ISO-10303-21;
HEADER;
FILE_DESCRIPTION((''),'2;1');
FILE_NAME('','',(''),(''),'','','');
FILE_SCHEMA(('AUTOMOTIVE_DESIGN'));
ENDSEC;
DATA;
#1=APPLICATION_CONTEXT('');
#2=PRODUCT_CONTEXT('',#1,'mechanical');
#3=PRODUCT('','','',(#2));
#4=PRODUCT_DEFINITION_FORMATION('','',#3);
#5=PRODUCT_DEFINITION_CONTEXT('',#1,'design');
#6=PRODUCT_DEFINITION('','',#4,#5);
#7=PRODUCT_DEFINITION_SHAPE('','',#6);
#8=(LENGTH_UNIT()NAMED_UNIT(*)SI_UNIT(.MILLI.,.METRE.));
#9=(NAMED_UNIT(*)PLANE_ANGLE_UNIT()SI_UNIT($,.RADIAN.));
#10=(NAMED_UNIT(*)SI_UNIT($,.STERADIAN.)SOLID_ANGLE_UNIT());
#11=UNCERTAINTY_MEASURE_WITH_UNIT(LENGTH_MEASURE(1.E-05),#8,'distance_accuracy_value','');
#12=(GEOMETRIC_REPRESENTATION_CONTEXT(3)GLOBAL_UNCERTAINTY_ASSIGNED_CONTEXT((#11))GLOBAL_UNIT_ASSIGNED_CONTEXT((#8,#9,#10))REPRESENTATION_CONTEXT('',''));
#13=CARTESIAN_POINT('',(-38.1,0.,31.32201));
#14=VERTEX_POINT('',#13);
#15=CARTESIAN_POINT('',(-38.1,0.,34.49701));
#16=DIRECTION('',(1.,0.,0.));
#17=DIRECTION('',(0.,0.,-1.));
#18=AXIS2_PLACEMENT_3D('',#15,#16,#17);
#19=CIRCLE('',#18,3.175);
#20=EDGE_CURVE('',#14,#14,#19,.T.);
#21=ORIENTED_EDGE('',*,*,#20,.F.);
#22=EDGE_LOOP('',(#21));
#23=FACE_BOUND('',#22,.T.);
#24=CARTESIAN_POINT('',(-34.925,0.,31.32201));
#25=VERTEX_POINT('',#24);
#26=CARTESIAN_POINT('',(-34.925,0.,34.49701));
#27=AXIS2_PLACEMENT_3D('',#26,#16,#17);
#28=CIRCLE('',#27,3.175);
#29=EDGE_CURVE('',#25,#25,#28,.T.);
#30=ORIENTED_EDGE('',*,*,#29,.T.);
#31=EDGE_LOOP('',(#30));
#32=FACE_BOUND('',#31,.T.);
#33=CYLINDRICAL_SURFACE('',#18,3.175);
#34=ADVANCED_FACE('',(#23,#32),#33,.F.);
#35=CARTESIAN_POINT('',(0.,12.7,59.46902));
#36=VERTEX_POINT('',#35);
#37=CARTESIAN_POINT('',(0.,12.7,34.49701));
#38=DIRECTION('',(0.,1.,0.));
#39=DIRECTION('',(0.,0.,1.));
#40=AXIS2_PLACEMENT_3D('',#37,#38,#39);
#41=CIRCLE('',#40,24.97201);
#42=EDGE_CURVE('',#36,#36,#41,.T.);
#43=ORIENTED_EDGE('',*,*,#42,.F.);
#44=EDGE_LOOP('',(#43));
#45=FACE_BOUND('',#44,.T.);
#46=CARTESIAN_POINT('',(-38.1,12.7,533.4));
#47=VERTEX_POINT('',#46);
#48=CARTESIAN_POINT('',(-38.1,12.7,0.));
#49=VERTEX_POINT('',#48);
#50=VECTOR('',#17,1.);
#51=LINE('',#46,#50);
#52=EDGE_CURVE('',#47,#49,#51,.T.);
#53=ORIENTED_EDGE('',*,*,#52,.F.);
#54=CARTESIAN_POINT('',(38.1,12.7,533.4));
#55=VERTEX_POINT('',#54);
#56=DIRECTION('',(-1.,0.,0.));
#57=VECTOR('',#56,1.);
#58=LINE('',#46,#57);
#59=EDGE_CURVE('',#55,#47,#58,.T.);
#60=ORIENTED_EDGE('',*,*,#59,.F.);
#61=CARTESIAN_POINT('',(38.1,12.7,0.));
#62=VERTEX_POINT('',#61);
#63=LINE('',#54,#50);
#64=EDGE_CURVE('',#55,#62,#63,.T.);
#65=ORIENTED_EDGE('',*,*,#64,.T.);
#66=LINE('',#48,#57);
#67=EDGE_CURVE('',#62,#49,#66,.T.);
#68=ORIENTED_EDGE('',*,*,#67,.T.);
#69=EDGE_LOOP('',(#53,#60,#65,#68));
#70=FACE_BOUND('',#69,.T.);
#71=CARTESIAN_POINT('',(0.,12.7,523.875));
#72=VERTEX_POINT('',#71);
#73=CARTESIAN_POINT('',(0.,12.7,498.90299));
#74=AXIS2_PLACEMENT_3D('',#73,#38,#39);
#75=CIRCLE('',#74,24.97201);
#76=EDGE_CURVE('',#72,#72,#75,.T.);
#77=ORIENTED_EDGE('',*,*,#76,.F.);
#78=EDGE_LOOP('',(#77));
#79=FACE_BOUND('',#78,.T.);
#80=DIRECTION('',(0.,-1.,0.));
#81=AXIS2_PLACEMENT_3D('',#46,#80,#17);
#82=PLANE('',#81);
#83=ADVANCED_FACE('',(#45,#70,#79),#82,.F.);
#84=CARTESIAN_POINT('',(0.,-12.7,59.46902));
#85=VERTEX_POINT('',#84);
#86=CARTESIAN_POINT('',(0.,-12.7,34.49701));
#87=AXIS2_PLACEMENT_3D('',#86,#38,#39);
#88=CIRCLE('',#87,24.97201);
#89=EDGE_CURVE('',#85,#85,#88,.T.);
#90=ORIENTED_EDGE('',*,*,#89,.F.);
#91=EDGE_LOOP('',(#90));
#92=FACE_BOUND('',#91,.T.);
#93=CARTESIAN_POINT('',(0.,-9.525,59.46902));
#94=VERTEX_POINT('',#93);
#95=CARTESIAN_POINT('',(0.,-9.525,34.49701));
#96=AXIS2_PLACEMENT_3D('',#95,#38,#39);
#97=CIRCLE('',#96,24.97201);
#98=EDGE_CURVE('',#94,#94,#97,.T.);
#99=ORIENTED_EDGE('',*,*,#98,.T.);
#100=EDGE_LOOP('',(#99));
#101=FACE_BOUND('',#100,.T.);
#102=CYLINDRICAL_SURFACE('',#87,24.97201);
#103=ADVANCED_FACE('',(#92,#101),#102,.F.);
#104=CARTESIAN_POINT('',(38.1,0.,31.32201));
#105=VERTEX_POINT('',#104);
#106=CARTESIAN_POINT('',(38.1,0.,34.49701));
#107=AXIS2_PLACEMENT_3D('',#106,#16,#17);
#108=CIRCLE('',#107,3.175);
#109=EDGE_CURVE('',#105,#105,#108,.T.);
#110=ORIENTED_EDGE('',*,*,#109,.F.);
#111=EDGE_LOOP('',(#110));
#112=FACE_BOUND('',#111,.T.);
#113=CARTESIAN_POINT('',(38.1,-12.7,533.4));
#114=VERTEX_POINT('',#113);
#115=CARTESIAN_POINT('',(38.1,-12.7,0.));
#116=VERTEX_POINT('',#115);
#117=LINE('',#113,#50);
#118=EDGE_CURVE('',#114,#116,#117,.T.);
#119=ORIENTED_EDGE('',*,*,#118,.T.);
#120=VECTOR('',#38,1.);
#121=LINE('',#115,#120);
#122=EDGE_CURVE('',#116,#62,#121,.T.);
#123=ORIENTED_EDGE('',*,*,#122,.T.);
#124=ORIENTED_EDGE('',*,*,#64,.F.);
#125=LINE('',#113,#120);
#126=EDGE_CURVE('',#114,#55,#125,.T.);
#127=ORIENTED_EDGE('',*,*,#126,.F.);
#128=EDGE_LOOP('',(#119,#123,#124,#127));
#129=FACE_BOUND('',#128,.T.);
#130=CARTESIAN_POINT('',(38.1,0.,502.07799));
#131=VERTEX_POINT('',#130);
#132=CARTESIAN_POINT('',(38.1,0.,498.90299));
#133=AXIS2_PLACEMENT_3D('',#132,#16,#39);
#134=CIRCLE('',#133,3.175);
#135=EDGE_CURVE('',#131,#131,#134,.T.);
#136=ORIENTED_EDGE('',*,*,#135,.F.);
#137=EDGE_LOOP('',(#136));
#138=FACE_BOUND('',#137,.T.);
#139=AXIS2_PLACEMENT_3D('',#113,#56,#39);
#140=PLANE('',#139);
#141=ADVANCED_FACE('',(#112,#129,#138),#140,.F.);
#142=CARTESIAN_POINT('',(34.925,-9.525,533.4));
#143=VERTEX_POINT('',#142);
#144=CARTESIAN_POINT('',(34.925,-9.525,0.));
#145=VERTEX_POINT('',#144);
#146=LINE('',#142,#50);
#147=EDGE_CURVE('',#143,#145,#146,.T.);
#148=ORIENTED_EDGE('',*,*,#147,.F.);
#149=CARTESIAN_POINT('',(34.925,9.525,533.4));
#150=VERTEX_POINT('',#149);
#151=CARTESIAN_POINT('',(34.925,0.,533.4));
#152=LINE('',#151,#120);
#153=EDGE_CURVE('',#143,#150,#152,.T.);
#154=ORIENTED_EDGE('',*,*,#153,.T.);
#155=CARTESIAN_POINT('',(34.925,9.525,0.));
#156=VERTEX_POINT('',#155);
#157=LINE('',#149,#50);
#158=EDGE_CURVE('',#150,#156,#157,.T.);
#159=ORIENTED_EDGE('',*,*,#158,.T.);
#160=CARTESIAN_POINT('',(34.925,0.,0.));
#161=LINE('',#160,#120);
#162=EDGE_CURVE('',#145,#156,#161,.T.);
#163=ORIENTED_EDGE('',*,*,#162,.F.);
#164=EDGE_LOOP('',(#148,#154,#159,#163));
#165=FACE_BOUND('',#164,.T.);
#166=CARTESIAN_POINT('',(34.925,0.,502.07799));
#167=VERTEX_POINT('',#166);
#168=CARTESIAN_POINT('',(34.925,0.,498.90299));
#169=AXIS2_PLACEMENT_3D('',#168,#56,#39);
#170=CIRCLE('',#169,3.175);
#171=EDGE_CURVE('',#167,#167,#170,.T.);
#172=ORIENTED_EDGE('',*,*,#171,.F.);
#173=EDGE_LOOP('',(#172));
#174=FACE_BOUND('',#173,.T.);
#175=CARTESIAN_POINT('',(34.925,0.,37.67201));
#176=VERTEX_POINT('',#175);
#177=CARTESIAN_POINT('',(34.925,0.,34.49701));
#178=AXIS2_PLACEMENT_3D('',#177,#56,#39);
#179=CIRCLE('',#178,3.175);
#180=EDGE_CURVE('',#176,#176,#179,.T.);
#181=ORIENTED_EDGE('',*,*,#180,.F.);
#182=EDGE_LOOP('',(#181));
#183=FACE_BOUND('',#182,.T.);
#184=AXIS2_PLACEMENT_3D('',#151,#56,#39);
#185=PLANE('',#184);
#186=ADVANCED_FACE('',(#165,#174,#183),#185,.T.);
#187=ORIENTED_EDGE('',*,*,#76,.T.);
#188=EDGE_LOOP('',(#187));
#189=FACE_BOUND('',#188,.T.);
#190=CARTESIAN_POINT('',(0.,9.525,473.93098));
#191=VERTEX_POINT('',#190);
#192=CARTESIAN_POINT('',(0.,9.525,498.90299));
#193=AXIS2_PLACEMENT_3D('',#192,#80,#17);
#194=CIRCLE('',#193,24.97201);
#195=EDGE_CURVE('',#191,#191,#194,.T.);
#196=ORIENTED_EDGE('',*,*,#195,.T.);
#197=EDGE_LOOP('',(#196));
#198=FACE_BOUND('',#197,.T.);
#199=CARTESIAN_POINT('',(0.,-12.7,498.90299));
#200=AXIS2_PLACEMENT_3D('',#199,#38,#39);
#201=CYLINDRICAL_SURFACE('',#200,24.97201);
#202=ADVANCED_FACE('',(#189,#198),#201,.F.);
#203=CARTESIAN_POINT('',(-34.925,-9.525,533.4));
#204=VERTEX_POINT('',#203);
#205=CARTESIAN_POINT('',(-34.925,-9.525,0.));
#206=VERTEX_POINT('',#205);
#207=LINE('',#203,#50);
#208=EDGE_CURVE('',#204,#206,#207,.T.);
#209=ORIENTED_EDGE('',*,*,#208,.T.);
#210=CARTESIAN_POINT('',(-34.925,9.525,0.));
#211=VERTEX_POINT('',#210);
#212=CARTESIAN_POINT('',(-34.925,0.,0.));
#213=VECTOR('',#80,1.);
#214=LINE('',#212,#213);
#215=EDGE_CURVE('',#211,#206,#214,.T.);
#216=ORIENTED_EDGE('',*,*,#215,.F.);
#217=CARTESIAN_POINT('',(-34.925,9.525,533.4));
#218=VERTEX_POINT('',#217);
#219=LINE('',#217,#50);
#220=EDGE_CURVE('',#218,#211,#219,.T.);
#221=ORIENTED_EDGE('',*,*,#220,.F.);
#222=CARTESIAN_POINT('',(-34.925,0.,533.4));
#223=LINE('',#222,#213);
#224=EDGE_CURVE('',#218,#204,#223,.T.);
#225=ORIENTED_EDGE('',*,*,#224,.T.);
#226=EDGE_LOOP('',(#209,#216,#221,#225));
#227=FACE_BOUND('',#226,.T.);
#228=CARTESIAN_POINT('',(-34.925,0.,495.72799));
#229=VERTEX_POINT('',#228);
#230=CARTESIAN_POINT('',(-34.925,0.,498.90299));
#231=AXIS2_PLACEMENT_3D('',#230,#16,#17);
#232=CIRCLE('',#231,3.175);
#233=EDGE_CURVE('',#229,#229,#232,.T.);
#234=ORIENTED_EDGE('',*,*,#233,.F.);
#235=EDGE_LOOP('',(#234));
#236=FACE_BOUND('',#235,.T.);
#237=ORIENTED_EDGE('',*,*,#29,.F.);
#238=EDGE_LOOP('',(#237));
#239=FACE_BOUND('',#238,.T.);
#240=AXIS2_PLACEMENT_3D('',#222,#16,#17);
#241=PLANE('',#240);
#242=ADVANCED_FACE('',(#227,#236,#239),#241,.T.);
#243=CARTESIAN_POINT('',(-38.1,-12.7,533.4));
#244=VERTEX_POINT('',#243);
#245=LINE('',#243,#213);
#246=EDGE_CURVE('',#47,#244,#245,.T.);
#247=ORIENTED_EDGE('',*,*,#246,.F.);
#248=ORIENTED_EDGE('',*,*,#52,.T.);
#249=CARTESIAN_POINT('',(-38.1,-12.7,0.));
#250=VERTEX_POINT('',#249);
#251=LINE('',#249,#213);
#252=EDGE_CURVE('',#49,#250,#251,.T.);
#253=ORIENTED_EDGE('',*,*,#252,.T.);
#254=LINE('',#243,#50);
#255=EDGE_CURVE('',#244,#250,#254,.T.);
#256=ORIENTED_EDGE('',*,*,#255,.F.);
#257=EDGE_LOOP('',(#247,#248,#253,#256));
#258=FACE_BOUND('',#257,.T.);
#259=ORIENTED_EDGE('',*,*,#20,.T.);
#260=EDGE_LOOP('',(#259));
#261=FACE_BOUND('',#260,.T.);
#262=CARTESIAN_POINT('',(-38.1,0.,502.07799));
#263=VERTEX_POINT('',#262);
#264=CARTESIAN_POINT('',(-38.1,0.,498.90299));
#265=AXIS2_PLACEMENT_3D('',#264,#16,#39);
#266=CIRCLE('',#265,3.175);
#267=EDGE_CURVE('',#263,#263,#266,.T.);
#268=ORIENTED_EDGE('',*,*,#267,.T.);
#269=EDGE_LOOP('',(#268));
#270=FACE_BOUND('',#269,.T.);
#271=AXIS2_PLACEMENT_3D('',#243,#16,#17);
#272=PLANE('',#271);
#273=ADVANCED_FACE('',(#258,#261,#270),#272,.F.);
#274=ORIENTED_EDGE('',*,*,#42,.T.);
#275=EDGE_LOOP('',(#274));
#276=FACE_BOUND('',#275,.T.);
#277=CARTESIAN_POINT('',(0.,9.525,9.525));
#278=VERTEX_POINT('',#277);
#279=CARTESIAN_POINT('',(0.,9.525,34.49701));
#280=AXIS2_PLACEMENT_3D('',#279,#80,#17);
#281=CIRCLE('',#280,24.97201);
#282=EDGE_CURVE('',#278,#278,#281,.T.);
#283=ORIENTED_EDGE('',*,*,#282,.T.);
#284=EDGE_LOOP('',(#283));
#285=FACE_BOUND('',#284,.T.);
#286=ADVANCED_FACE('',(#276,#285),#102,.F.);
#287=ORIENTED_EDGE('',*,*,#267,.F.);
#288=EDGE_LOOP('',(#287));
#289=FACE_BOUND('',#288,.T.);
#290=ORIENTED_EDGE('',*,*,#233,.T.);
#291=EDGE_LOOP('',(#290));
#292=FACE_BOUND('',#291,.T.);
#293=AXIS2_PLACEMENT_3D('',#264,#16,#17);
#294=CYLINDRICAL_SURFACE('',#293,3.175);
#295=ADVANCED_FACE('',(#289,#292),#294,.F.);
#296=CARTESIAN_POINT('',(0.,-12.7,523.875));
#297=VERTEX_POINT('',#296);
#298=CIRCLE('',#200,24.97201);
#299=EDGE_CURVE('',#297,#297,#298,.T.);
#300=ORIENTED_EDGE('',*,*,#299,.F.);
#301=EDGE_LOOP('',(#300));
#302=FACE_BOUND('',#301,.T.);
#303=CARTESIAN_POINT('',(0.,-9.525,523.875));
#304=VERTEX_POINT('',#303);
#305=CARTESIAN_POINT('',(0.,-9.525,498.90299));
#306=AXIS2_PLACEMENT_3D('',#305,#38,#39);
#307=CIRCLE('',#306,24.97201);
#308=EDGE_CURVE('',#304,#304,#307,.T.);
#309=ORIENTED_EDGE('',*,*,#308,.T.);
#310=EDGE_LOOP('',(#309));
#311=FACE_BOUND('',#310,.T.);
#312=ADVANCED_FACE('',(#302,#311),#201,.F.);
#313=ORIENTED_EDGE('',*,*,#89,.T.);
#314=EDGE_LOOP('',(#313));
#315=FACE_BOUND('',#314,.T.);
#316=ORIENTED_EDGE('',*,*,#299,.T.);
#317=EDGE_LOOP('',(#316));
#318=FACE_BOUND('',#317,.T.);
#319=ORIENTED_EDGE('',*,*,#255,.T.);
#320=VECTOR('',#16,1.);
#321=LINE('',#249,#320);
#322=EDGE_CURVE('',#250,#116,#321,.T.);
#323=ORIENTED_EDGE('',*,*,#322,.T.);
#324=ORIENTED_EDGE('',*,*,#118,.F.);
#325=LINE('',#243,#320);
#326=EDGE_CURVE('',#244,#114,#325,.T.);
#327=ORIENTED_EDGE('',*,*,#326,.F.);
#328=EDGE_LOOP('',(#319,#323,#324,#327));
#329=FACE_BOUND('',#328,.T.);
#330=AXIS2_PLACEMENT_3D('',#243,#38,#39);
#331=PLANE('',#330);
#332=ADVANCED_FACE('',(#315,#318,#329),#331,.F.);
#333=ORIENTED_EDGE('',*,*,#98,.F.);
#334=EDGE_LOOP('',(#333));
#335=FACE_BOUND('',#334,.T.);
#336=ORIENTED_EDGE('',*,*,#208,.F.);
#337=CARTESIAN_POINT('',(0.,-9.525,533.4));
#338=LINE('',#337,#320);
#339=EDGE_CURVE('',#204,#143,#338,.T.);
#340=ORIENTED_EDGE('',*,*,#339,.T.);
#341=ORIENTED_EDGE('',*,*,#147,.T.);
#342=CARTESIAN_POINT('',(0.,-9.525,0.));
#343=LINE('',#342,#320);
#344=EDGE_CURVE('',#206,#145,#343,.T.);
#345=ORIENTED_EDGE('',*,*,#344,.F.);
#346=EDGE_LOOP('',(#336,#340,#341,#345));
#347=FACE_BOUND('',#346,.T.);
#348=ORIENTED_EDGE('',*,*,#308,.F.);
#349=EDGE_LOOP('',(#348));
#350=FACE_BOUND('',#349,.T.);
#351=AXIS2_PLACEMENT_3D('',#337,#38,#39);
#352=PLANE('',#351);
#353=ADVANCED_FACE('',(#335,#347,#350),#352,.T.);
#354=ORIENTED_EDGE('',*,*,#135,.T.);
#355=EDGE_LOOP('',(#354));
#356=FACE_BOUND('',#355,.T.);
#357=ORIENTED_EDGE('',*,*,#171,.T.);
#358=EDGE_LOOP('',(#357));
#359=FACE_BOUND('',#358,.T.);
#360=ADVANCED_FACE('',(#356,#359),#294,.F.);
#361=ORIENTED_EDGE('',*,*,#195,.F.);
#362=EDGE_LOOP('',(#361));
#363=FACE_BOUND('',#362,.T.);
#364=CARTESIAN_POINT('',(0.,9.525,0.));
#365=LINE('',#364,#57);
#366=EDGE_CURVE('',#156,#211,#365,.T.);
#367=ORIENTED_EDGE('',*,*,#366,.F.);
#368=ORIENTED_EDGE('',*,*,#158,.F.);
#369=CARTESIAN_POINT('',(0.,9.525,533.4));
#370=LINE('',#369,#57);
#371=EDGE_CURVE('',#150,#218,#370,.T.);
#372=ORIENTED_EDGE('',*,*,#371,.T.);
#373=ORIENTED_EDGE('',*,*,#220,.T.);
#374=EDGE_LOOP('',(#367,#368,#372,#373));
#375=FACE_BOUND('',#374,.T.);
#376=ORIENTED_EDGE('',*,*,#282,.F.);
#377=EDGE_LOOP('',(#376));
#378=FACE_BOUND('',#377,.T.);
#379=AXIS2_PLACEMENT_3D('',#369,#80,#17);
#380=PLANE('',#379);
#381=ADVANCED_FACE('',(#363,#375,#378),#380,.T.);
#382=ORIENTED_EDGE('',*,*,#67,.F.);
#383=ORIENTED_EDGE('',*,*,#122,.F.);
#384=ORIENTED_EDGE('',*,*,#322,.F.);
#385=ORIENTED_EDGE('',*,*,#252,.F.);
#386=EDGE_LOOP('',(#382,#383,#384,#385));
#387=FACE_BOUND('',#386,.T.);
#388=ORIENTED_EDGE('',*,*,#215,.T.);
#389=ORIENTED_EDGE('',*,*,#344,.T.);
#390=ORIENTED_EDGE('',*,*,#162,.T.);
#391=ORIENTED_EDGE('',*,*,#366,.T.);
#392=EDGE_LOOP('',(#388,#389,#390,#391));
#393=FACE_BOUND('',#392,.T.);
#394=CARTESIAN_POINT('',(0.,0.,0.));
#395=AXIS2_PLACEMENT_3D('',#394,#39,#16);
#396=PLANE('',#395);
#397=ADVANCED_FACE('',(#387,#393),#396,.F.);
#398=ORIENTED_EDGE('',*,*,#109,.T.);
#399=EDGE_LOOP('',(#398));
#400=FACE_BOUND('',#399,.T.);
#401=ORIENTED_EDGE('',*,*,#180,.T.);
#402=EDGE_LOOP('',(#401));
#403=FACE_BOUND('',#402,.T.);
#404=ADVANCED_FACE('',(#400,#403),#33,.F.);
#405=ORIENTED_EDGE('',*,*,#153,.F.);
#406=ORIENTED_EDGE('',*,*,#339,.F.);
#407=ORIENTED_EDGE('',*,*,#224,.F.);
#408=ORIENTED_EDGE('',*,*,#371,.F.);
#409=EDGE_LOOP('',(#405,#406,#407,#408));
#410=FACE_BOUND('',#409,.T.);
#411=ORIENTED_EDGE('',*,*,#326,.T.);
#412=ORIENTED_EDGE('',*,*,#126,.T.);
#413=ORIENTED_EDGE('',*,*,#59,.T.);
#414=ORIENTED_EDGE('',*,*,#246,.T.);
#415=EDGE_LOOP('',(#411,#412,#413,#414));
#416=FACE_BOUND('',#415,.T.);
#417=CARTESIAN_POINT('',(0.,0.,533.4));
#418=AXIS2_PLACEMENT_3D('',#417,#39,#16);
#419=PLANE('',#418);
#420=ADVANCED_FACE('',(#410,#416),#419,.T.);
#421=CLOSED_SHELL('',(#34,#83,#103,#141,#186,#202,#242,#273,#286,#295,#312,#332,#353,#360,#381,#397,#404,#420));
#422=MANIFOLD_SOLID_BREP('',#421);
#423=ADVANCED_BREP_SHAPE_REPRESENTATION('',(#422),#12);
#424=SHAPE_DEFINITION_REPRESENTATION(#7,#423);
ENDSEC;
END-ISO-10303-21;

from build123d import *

# Parameters (mm, degrees)
SKETCH1_W           = 76.2
SKETCH1_H           = 25.4
SKETCH1_W_2         = 69.85
SKETCH1_H_2         = 19.05
EXTRUDE_THIN1_DEPTH = 533.4
SKETCH3_R           = 24.97201
CUT_EXTRUDE2_DEPTH  = 26.4
SKETCH4_R           = 3.175
CUT_EXTRUDE3_DEPTH  = 77.2


with BuildPart() as part:
    # Sketch1 → Extrude-Thin1 (new body)
    with BuildSketch(Plane.XY):
        Rectangle(SKETCH1_W, SKETCH1_H)
        Rectangle(SKETCH1_W_2, SKETCH1_H_2, mode=Mode.SUBTRACT)
    extrude(amount=EXTRUDE_THIN1_DEPTH)

    # Sketch3 → Cut-Extrude2 (cut, through all)
    with BuildSketch(Plane(origin=(0, 12.7, 0), x_dir=(1, 0, 0), z_dir=(0, 1, 0))):
        with Locations((0, -34.49701)):
            Circle(SKETCH3_R)
        with Locations((0, -498.90299)):
            Circle(SKETCH3_R)
    extrude(amount=-CUT_EXTRUDE2_DEPTH, mode=Mode.SUBTRACT)

    # Sketch4 → Cut-Extrude3 (cut, through all)
    with BuildSketch(Plane(origin=(38.1, 0, 0), x_dir=(0, 0, -1), z_dir=(1, 0, 0))):
        with Locations((-34.49701, 0)):
            Circle(SKETCH4_R)
        with Locations((-498.90299, 0)):
            Circle(SKETCH4_R)
    extrude(amount=-CUT_EXTRUDE3_DEPTH, mode=Mode.SUBTRACT)


solid = part.part
